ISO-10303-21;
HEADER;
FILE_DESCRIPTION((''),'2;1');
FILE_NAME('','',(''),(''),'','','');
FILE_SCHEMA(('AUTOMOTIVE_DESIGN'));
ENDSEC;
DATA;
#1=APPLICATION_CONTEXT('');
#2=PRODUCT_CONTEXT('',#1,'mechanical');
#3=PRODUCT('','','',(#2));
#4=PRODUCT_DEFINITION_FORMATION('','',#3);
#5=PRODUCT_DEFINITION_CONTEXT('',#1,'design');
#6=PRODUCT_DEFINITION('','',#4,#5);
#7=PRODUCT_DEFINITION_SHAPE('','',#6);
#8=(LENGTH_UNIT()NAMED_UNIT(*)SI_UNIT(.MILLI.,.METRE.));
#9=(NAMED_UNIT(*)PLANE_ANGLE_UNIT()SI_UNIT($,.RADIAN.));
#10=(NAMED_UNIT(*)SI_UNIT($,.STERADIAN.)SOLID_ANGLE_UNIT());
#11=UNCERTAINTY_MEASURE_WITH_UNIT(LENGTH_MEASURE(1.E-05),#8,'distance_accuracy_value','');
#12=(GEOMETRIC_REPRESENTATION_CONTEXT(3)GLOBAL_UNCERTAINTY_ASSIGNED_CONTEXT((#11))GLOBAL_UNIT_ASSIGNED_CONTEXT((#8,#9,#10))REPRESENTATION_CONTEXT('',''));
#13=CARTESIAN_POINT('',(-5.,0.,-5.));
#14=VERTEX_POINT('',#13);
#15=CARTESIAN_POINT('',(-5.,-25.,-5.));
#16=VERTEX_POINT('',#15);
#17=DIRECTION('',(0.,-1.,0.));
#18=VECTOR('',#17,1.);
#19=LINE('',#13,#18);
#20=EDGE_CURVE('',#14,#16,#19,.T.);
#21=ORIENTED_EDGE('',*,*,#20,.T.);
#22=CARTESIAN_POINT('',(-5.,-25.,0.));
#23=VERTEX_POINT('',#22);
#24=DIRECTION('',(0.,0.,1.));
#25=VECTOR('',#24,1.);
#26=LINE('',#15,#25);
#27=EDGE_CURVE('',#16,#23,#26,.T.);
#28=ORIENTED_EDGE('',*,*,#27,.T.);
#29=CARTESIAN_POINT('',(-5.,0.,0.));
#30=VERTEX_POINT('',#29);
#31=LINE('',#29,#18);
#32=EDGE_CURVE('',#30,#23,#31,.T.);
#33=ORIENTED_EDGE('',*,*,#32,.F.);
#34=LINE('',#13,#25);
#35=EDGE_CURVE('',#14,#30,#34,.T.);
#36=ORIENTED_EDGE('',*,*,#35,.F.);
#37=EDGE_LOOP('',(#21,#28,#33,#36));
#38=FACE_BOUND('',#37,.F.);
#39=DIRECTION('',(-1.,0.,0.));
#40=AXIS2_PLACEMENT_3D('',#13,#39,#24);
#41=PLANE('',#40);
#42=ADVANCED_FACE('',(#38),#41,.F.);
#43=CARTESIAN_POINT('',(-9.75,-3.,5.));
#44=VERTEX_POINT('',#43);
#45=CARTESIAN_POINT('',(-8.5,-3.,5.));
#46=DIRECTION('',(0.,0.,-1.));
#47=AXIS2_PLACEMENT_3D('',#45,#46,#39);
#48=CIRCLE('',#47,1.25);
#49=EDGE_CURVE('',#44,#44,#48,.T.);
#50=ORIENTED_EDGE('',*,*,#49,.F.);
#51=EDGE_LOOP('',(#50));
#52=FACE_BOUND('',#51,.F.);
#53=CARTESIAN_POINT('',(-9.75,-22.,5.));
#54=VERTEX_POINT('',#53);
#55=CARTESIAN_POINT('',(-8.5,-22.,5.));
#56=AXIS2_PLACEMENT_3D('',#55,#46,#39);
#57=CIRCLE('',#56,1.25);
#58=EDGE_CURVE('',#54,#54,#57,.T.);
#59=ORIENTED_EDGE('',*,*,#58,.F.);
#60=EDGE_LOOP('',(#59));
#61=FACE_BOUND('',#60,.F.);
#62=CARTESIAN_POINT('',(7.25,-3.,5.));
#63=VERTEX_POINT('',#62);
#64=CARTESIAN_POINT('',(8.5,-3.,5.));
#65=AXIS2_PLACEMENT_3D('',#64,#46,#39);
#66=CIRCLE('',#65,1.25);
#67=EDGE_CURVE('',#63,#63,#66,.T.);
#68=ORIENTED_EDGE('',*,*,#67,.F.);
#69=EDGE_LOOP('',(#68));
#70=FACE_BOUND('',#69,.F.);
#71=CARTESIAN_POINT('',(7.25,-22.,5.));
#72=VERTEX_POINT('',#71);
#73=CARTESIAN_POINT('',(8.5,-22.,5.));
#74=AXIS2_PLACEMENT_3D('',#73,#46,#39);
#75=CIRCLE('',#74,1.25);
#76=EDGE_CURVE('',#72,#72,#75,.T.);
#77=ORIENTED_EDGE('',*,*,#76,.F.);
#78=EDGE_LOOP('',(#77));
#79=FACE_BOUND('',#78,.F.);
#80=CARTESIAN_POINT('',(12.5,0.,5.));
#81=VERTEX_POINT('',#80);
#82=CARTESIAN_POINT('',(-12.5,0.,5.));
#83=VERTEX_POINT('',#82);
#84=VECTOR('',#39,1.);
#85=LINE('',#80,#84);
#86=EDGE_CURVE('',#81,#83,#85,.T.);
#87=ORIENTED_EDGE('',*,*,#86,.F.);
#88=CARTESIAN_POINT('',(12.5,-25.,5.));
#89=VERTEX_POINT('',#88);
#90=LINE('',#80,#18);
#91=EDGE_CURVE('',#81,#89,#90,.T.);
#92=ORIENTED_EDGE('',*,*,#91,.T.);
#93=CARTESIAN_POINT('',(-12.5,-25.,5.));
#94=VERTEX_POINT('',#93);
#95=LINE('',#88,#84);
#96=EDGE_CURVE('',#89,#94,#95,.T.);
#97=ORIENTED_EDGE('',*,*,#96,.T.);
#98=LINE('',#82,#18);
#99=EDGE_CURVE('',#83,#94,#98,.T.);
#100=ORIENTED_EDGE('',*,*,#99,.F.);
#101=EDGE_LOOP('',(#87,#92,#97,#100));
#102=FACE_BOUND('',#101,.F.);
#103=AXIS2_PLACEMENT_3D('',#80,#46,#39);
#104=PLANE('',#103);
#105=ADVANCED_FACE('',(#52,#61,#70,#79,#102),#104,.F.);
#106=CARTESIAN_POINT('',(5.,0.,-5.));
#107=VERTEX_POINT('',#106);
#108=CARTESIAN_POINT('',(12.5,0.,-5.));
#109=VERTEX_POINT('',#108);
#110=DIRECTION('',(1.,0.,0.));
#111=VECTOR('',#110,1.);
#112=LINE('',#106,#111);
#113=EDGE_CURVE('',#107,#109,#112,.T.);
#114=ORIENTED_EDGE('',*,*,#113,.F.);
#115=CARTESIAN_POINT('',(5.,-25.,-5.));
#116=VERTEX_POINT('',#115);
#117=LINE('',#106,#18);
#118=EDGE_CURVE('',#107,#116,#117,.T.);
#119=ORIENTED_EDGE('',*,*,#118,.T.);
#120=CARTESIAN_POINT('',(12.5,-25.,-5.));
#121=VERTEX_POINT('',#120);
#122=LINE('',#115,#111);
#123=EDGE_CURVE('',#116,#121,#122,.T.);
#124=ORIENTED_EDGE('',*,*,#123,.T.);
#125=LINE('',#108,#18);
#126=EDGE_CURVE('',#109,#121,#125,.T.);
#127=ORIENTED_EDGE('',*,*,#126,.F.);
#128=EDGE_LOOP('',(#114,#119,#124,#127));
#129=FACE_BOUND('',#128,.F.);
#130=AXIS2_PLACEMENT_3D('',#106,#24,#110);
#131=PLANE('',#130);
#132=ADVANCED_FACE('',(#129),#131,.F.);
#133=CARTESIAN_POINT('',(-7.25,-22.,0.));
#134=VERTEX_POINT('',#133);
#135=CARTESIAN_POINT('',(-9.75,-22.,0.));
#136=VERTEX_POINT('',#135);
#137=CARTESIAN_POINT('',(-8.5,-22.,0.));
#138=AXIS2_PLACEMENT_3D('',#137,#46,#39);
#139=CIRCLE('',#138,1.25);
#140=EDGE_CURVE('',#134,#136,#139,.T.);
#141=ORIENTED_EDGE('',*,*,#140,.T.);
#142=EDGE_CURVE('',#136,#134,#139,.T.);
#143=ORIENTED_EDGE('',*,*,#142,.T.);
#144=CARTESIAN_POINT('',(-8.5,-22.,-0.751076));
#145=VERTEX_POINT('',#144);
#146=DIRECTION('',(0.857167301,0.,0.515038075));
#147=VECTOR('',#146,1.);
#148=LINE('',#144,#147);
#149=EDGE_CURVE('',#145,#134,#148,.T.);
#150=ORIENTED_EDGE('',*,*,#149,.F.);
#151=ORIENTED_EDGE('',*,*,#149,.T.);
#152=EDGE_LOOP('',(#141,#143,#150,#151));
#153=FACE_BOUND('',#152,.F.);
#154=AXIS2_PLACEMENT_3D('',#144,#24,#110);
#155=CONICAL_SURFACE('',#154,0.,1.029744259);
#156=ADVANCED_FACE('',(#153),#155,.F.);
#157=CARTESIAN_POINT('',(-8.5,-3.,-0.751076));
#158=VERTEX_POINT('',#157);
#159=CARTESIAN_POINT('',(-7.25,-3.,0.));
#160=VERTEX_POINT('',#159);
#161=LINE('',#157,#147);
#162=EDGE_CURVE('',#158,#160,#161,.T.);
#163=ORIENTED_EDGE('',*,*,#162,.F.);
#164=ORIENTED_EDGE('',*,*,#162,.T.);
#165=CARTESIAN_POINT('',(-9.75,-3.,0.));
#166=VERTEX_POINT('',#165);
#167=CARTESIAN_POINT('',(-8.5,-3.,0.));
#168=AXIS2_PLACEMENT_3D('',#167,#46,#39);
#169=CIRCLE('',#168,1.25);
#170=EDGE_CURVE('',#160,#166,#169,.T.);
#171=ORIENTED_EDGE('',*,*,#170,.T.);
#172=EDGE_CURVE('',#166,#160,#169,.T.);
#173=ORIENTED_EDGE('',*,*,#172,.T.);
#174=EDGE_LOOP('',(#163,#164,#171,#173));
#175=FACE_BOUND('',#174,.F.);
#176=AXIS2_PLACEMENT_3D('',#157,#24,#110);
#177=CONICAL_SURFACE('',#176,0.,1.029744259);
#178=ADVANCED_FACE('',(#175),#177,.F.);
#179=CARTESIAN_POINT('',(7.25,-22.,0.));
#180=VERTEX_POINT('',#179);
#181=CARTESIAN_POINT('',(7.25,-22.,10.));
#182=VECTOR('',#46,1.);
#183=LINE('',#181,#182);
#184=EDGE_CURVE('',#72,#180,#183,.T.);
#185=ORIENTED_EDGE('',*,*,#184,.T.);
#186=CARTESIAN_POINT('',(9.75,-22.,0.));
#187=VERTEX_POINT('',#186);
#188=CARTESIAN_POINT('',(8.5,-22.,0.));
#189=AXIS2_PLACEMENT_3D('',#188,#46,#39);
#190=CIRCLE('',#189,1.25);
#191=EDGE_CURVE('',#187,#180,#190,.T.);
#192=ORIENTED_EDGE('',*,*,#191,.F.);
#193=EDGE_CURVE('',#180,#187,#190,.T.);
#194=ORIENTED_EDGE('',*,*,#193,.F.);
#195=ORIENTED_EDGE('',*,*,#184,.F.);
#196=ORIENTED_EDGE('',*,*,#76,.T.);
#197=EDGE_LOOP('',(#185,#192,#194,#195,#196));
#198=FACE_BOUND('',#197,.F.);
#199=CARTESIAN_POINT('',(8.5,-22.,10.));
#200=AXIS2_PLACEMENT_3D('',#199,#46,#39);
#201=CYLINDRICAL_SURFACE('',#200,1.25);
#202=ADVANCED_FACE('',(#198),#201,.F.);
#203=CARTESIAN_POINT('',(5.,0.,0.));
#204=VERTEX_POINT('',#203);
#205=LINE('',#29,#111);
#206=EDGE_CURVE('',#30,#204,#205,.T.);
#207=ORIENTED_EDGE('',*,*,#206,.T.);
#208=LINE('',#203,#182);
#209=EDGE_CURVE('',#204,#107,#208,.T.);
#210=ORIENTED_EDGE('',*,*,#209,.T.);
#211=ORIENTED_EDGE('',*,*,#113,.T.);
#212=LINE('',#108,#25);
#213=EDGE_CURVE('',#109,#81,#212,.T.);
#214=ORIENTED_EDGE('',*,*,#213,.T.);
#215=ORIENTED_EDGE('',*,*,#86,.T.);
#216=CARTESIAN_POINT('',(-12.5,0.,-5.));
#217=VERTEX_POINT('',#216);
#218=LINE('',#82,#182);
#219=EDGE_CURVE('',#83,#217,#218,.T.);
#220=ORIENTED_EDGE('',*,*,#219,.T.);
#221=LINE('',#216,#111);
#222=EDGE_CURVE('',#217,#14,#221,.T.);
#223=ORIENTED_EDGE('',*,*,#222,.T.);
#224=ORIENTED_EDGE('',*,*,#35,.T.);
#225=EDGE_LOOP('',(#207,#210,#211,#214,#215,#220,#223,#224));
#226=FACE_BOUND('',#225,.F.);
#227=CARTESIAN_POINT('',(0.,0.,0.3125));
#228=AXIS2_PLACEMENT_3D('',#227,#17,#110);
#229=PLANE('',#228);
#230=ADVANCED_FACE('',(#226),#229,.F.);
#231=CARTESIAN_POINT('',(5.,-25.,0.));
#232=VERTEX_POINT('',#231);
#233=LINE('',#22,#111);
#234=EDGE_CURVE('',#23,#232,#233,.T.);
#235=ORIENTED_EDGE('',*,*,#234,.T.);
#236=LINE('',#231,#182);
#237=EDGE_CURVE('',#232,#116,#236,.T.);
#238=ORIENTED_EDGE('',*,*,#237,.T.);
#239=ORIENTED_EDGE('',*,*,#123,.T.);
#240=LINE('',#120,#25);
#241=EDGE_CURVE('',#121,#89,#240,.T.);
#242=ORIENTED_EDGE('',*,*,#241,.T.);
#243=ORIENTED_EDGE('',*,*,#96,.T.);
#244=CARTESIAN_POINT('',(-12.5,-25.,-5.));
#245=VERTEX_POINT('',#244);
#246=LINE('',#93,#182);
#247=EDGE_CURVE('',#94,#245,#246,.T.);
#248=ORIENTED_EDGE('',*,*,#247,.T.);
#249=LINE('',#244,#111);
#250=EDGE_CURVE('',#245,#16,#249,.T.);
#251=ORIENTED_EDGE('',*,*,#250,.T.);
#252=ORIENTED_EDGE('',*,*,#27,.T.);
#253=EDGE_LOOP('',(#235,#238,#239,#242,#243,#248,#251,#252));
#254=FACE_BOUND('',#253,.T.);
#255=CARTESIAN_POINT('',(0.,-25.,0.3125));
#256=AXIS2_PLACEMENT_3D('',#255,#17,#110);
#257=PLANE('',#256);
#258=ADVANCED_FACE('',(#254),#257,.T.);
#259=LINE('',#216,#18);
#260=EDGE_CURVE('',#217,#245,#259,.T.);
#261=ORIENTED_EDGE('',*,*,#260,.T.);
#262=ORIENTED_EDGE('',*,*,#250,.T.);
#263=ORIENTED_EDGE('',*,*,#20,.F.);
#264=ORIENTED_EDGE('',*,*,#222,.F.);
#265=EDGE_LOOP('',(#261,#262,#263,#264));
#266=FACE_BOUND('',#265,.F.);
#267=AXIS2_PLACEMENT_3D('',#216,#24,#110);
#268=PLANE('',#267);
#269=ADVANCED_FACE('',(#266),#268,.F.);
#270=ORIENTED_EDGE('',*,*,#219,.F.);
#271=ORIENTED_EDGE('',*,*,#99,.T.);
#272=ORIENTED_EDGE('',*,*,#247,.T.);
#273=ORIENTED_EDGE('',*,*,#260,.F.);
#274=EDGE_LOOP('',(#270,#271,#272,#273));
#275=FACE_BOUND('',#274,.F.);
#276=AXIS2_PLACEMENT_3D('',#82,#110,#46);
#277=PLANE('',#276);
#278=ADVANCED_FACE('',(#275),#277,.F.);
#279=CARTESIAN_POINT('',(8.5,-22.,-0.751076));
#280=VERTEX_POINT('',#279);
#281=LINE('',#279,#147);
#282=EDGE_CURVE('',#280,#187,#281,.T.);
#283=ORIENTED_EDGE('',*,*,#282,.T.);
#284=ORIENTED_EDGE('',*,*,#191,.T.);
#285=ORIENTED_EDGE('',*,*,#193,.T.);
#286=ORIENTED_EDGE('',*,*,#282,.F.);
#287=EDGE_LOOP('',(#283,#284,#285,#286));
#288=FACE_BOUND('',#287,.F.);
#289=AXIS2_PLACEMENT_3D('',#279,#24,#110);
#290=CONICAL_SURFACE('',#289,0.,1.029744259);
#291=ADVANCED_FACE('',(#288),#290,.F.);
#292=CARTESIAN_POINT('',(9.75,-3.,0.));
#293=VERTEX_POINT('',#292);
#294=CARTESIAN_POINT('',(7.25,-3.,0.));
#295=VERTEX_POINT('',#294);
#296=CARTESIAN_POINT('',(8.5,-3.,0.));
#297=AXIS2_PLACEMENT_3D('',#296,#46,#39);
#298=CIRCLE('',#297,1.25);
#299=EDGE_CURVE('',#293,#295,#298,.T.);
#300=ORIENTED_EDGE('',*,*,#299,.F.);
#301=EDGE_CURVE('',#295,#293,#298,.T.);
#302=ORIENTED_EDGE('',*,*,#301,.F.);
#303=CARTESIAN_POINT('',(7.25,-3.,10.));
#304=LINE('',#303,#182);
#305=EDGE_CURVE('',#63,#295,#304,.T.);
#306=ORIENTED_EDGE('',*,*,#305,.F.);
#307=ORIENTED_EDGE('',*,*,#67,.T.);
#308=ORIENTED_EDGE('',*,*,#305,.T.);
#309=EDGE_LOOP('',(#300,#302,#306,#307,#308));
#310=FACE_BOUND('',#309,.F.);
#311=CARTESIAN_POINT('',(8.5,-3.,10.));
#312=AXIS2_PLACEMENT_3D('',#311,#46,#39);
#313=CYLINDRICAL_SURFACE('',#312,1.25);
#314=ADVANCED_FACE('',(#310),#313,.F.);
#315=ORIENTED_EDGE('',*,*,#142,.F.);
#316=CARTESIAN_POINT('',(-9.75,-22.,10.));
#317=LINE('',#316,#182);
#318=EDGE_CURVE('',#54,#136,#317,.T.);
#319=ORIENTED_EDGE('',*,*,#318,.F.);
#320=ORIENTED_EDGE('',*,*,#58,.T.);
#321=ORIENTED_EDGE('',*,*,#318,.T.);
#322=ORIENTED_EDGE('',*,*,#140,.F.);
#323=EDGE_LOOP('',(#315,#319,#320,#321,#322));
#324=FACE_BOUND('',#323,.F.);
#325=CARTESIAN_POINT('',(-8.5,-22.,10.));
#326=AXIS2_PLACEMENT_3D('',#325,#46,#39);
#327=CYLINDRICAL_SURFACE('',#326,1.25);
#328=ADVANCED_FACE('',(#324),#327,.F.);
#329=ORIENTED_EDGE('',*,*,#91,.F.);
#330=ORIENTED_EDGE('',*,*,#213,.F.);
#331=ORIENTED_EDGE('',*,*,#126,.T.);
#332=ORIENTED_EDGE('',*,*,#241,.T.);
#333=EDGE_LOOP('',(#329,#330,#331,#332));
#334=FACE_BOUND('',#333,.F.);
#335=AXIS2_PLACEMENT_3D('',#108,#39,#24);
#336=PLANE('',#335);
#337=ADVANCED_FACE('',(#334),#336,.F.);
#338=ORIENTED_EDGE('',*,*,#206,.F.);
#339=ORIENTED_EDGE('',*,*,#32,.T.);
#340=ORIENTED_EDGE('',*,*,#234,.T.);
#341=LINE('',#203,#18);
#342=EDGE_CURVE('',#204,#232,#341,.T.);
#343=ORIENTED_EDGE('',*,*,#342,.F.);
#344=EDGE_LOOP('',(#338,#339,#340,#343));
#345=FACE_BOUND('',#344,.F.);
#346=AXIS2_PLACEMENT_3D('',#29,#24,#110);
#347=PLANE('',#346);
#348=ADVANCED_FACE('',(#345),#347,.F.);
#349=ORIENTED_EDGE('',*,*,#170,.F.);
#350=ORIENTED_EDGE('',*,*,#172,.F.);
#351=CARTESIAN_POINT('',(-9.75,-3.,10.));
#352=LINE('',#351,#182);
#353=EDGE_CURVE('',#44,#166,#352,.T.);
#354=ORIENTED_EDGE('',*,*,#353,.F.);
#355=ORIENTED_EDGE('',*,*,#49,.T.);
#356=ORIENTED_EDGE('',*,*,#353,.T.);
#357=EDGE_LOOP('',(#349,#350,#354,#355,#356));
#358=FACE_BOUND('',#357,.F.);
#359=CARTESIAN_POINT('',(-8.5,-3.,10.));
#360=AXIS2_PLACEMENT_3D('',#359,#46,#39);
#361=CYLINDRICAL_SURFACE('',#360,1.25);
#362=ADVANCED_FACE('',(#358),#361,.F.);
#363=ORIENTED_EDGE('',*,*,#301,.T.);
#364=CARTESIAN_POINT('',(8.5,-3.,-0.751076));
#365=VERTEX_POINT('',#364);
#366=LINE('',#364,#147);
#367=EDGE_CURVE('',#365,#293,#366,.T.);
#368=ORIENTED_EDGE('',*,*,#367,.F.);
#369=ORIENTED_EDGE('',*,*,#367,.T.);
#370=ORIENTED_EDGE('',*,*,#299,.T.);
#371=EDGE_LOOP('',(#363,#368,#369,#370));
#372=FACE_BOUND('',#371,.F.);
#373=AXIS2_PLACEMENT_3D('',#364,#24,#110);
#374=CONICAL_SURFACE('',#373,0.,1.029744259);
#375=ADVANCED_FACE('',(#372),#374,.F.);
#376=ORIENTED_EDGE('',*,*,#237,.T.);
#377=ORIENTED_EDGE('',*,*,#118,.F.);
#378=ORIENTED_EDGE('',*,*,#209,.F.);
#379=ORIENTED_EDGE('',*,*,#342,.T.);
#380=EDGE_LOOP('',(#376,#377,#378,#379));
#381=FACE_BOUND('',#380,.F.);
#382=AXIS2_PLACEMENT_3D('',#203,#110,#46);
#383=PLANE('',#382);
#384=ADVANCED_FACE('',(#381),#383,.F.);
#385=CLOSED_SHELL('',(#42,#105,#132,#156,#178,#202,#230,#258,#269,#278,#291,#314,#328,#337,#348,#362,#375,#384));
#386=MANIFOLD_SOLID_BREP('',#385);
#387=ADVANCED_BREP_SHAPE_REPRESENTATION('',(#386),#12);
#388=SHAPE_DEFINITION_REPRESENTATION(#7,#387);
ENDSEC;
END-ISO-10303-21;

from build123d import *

# Parameters (mm, degrees)
F1_DEPTH = 25
F3_D     = 2.5
F3_DEPTH = 5
F3_TIP   = 0.7510757738


with BuildPart() as f1:
    # F0 (on Front) → F1 (new body)
    with BuildSketch(Plane.XZ):
        Polygon((-5, 0), (0, 0), (5, 0), (5, -5), (12.5, -5), (12.5, 5), (0, 5), (-12.5, 5), (-12.5, -5), (-5, -5), align=None)
    extrude(amount=F1_DEPTH)

    # F3
    with Locations(Plane.XY.offset(5)):
        with Locations((-8.5, -3), (8.5, -3), (-8.5, -22), (8.5, -22)):
            Hole(F3_D / 2, depth=F3_DEPTH)
            with Locations((0, 0, -(F3_DEPTH + F3_TIP / 2))):  # 118° drill point
                Cone(0, F3_D / 2, F3_TIP, mode=Mode.SUBTRACT)


solid = f1.part
